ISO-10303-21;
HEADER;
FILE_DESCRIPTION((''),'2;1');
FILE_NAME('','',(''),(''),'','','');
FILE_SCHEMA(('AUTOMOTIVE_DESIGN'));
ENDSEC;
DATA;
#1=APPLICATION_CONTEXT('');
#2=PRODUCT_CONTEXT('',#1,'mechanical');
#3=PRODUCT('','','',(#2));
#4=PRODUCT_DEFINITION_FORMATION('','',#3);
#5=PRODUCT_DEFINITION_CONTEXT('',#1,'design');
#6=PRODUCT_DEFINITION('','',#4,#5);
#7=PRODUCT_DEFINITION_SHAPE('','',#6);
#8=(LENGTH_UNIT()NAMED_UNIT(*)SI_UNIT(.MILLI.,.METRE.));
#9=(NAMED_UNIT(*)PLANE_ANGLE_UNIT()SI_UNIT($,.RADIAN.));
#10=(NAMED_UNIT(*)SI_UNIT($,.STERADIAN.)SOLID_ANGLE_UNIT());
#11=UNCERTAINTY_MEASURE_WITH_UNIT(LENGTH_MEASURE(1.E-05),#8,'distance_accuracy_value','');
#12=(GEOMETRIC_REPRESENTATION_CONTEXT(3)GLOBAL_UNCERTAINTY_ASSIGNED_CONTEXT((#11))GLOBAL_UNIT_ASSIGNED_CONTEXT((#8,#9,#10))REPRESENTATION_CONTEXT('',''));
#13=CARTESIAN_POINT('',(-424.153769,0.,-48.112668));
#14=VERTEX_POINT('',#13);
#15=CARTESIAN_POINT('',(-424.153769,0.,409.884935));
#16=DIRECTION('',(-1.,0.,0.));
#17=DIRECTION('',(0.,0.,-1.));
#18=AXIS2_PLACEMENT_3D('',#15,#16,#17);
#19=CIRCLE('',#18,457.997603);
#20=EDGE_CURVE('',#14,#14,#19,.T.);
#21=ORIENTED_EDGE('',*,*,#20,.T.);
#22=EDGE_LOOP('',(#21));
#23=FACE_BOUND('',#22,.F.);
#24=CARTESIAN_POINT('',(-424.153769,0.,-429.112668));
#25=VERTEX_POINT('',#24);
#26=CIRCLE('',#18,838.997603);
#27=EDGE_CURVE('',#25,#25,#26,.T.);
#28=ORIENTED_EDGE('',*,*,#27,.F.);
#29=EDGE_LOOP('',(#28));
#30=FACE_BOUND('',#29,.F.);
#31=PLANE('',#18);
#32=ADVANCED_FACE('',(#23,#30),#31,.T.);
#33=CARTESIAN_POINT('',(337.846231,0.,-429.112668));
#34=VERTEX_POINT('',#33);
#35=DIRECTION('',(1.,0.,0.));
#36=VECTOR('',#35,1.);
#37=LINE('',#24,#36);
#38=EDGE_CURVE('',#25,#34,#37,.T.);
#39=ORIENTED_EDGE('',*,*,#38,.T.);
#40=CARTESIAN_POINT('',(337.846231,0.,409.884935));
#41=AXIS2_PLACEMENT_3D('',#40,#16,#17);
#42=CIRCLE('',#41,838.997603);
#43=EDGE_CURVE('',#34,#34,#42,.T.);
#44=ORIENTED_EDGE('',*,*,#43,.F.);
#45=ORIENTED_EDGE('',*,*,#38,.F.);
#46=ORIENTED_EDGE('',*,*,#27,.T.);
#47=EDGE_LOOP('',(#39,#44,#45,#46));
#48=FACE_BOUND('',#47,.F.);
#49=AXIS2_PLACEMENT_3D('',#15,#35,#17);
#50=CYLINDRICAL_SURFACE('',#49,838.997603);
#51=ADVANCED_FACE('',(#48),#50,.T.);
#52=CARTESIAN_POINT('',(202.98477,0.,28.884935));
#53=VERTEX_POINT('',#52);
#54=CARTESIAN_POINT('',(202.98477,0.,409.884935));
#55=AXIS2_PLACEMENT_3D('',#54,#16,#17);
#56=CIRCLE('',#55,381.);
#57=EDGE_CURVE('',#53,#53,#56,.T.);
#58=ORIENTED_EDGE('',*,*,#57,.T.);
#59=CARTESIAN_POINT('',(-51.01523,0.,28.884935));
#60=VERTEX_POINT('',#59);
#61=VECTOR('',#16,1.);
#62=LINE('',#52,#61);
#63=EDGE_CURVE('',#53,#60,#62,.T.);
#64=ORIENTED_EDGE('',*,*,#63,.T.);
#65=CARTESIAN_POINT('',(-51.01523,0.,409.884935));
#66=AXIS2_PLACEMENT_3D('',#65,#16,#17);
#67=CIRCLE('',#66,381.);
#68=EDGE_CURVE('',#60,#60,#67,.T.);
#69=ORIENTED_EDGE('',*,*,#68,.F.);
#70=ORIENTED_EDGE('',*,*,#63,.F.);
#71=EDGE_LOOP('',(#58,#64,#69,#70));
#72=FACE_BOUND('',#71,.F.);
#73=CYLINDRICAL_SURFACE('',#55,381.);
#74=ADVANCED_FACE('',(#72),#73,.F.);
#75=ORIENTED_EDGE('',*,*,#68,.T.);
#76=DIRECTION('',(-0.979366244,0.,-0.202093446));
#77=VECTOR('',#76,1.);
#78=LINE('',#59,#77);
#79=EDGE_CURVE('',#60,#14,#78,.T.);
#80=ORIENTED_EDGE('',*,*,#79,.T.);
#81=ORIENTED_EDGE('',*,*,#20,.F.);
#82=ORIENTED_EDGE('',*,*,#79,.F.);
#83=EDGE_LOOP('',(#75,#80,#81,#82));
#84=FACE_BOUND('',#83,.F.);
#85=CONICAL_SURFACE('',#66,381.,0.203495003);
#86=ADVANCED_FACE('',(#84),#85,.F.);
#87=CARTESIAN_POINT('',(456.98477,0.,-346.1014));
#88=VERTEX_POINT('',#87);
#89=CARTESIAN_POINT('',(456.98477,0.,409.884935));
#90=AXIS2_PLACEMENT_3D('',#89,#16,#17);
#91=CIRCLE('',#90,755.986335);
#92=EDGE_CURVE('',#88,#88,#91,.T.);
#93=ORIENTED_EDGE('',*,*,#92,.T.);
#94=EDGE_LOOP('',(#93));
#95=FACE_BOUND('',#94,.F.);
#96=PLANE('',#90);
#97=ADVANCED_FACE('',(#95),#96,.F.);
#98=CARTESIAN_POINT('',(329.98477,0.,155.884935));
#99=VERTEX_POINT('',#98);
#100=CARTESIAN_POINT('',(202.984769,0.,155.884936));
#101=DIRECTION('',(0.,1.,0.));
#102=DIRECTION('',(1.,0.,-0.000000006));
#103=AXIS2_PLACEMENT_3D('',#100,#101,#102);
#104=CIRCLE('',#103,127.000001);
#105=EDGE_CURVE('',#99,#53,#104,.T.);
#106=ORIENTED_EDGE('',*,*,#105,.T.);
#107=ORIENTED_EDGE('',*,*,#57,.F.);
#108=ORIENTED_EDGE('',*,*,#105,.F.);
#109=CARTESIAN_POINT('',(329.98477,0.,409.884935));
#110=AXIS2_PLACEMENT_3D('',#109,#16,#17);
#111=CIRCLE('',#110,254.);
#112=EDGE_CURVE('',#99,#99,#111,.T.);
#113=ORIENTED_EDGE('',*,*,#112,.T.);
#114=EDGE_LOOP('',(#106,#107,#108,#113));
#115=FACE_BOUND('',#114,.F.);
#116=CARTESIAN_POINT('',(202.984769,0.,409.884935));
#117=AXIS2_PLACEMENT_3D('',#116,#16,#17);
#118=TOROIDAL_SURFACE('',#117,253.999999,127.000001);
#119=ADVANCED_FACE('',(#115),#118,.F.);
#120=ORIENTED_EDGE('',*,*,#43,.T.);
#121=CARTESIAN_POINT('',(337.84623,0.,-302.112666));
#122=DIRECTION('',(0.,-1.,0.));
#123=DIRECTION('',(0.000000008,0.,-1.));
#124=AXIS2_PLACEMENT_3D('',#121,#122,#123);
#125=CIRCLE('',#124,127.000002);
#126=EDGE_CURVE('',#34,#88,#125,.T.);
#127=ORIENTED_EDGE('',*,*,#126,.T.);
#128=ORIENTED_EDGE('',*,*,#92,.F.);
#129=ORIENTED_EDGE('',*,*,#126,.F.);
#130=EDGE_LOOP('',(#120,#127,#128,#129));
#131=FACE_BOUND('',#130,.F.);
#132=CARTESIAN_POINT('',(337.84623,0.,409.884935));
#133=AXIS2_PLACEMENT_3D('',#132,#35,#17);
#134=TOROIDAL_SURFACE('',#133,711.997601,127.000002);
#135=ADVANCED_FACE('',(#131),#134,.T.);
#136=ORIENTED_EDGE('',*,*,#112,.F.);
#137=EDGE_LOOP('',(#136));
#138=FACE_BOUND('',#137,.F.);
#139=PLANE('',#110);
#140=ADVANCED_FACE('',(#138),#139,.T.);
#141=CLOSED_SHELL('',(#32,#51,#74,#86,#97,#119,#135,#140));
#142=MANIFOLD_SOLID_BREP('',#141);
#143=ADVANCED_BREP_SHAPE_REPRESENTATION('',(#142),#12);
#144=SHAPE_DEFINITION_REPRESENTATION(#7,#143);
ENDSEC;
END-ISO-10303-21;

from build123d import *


with BuildPart() as f1:
    # F0 (on Front) → F1 (revolve)
    with BuildSketch(Plane.XZ):
        with BuildLine():
            Line((-51.01523, 28.884935), (-424.153769, -48.112668))
            Line((-424.153769, -48.112668), (-424.153769, -429.112668))
            Line((-424.153769, -429.112668), (337.846231, -429.112668))
            ThreePointArc((337.846231, -429.112668), (410.449368, -406.313361), (456.98477, -346.1014))
            Line((456.98477, -346.1014), (456.98477, 409.884935))
            Line((456.98477, 409.884935), (329.98477, 409.884935))
            Line((329.98477, 409.884935), (329.98477, 155.884935))
            ThreePointArc((329.98477, 155.884935), (292.787331, 66.082374), (202.98477, 28.884935))
            Line((202.98477, 28.884935), (-51.01523, 28.884935))
        make_face()
    revolve(axis=Axis((393.48477, 0, 409.884935), (-1, 0, 0)))


solid = f1.part
